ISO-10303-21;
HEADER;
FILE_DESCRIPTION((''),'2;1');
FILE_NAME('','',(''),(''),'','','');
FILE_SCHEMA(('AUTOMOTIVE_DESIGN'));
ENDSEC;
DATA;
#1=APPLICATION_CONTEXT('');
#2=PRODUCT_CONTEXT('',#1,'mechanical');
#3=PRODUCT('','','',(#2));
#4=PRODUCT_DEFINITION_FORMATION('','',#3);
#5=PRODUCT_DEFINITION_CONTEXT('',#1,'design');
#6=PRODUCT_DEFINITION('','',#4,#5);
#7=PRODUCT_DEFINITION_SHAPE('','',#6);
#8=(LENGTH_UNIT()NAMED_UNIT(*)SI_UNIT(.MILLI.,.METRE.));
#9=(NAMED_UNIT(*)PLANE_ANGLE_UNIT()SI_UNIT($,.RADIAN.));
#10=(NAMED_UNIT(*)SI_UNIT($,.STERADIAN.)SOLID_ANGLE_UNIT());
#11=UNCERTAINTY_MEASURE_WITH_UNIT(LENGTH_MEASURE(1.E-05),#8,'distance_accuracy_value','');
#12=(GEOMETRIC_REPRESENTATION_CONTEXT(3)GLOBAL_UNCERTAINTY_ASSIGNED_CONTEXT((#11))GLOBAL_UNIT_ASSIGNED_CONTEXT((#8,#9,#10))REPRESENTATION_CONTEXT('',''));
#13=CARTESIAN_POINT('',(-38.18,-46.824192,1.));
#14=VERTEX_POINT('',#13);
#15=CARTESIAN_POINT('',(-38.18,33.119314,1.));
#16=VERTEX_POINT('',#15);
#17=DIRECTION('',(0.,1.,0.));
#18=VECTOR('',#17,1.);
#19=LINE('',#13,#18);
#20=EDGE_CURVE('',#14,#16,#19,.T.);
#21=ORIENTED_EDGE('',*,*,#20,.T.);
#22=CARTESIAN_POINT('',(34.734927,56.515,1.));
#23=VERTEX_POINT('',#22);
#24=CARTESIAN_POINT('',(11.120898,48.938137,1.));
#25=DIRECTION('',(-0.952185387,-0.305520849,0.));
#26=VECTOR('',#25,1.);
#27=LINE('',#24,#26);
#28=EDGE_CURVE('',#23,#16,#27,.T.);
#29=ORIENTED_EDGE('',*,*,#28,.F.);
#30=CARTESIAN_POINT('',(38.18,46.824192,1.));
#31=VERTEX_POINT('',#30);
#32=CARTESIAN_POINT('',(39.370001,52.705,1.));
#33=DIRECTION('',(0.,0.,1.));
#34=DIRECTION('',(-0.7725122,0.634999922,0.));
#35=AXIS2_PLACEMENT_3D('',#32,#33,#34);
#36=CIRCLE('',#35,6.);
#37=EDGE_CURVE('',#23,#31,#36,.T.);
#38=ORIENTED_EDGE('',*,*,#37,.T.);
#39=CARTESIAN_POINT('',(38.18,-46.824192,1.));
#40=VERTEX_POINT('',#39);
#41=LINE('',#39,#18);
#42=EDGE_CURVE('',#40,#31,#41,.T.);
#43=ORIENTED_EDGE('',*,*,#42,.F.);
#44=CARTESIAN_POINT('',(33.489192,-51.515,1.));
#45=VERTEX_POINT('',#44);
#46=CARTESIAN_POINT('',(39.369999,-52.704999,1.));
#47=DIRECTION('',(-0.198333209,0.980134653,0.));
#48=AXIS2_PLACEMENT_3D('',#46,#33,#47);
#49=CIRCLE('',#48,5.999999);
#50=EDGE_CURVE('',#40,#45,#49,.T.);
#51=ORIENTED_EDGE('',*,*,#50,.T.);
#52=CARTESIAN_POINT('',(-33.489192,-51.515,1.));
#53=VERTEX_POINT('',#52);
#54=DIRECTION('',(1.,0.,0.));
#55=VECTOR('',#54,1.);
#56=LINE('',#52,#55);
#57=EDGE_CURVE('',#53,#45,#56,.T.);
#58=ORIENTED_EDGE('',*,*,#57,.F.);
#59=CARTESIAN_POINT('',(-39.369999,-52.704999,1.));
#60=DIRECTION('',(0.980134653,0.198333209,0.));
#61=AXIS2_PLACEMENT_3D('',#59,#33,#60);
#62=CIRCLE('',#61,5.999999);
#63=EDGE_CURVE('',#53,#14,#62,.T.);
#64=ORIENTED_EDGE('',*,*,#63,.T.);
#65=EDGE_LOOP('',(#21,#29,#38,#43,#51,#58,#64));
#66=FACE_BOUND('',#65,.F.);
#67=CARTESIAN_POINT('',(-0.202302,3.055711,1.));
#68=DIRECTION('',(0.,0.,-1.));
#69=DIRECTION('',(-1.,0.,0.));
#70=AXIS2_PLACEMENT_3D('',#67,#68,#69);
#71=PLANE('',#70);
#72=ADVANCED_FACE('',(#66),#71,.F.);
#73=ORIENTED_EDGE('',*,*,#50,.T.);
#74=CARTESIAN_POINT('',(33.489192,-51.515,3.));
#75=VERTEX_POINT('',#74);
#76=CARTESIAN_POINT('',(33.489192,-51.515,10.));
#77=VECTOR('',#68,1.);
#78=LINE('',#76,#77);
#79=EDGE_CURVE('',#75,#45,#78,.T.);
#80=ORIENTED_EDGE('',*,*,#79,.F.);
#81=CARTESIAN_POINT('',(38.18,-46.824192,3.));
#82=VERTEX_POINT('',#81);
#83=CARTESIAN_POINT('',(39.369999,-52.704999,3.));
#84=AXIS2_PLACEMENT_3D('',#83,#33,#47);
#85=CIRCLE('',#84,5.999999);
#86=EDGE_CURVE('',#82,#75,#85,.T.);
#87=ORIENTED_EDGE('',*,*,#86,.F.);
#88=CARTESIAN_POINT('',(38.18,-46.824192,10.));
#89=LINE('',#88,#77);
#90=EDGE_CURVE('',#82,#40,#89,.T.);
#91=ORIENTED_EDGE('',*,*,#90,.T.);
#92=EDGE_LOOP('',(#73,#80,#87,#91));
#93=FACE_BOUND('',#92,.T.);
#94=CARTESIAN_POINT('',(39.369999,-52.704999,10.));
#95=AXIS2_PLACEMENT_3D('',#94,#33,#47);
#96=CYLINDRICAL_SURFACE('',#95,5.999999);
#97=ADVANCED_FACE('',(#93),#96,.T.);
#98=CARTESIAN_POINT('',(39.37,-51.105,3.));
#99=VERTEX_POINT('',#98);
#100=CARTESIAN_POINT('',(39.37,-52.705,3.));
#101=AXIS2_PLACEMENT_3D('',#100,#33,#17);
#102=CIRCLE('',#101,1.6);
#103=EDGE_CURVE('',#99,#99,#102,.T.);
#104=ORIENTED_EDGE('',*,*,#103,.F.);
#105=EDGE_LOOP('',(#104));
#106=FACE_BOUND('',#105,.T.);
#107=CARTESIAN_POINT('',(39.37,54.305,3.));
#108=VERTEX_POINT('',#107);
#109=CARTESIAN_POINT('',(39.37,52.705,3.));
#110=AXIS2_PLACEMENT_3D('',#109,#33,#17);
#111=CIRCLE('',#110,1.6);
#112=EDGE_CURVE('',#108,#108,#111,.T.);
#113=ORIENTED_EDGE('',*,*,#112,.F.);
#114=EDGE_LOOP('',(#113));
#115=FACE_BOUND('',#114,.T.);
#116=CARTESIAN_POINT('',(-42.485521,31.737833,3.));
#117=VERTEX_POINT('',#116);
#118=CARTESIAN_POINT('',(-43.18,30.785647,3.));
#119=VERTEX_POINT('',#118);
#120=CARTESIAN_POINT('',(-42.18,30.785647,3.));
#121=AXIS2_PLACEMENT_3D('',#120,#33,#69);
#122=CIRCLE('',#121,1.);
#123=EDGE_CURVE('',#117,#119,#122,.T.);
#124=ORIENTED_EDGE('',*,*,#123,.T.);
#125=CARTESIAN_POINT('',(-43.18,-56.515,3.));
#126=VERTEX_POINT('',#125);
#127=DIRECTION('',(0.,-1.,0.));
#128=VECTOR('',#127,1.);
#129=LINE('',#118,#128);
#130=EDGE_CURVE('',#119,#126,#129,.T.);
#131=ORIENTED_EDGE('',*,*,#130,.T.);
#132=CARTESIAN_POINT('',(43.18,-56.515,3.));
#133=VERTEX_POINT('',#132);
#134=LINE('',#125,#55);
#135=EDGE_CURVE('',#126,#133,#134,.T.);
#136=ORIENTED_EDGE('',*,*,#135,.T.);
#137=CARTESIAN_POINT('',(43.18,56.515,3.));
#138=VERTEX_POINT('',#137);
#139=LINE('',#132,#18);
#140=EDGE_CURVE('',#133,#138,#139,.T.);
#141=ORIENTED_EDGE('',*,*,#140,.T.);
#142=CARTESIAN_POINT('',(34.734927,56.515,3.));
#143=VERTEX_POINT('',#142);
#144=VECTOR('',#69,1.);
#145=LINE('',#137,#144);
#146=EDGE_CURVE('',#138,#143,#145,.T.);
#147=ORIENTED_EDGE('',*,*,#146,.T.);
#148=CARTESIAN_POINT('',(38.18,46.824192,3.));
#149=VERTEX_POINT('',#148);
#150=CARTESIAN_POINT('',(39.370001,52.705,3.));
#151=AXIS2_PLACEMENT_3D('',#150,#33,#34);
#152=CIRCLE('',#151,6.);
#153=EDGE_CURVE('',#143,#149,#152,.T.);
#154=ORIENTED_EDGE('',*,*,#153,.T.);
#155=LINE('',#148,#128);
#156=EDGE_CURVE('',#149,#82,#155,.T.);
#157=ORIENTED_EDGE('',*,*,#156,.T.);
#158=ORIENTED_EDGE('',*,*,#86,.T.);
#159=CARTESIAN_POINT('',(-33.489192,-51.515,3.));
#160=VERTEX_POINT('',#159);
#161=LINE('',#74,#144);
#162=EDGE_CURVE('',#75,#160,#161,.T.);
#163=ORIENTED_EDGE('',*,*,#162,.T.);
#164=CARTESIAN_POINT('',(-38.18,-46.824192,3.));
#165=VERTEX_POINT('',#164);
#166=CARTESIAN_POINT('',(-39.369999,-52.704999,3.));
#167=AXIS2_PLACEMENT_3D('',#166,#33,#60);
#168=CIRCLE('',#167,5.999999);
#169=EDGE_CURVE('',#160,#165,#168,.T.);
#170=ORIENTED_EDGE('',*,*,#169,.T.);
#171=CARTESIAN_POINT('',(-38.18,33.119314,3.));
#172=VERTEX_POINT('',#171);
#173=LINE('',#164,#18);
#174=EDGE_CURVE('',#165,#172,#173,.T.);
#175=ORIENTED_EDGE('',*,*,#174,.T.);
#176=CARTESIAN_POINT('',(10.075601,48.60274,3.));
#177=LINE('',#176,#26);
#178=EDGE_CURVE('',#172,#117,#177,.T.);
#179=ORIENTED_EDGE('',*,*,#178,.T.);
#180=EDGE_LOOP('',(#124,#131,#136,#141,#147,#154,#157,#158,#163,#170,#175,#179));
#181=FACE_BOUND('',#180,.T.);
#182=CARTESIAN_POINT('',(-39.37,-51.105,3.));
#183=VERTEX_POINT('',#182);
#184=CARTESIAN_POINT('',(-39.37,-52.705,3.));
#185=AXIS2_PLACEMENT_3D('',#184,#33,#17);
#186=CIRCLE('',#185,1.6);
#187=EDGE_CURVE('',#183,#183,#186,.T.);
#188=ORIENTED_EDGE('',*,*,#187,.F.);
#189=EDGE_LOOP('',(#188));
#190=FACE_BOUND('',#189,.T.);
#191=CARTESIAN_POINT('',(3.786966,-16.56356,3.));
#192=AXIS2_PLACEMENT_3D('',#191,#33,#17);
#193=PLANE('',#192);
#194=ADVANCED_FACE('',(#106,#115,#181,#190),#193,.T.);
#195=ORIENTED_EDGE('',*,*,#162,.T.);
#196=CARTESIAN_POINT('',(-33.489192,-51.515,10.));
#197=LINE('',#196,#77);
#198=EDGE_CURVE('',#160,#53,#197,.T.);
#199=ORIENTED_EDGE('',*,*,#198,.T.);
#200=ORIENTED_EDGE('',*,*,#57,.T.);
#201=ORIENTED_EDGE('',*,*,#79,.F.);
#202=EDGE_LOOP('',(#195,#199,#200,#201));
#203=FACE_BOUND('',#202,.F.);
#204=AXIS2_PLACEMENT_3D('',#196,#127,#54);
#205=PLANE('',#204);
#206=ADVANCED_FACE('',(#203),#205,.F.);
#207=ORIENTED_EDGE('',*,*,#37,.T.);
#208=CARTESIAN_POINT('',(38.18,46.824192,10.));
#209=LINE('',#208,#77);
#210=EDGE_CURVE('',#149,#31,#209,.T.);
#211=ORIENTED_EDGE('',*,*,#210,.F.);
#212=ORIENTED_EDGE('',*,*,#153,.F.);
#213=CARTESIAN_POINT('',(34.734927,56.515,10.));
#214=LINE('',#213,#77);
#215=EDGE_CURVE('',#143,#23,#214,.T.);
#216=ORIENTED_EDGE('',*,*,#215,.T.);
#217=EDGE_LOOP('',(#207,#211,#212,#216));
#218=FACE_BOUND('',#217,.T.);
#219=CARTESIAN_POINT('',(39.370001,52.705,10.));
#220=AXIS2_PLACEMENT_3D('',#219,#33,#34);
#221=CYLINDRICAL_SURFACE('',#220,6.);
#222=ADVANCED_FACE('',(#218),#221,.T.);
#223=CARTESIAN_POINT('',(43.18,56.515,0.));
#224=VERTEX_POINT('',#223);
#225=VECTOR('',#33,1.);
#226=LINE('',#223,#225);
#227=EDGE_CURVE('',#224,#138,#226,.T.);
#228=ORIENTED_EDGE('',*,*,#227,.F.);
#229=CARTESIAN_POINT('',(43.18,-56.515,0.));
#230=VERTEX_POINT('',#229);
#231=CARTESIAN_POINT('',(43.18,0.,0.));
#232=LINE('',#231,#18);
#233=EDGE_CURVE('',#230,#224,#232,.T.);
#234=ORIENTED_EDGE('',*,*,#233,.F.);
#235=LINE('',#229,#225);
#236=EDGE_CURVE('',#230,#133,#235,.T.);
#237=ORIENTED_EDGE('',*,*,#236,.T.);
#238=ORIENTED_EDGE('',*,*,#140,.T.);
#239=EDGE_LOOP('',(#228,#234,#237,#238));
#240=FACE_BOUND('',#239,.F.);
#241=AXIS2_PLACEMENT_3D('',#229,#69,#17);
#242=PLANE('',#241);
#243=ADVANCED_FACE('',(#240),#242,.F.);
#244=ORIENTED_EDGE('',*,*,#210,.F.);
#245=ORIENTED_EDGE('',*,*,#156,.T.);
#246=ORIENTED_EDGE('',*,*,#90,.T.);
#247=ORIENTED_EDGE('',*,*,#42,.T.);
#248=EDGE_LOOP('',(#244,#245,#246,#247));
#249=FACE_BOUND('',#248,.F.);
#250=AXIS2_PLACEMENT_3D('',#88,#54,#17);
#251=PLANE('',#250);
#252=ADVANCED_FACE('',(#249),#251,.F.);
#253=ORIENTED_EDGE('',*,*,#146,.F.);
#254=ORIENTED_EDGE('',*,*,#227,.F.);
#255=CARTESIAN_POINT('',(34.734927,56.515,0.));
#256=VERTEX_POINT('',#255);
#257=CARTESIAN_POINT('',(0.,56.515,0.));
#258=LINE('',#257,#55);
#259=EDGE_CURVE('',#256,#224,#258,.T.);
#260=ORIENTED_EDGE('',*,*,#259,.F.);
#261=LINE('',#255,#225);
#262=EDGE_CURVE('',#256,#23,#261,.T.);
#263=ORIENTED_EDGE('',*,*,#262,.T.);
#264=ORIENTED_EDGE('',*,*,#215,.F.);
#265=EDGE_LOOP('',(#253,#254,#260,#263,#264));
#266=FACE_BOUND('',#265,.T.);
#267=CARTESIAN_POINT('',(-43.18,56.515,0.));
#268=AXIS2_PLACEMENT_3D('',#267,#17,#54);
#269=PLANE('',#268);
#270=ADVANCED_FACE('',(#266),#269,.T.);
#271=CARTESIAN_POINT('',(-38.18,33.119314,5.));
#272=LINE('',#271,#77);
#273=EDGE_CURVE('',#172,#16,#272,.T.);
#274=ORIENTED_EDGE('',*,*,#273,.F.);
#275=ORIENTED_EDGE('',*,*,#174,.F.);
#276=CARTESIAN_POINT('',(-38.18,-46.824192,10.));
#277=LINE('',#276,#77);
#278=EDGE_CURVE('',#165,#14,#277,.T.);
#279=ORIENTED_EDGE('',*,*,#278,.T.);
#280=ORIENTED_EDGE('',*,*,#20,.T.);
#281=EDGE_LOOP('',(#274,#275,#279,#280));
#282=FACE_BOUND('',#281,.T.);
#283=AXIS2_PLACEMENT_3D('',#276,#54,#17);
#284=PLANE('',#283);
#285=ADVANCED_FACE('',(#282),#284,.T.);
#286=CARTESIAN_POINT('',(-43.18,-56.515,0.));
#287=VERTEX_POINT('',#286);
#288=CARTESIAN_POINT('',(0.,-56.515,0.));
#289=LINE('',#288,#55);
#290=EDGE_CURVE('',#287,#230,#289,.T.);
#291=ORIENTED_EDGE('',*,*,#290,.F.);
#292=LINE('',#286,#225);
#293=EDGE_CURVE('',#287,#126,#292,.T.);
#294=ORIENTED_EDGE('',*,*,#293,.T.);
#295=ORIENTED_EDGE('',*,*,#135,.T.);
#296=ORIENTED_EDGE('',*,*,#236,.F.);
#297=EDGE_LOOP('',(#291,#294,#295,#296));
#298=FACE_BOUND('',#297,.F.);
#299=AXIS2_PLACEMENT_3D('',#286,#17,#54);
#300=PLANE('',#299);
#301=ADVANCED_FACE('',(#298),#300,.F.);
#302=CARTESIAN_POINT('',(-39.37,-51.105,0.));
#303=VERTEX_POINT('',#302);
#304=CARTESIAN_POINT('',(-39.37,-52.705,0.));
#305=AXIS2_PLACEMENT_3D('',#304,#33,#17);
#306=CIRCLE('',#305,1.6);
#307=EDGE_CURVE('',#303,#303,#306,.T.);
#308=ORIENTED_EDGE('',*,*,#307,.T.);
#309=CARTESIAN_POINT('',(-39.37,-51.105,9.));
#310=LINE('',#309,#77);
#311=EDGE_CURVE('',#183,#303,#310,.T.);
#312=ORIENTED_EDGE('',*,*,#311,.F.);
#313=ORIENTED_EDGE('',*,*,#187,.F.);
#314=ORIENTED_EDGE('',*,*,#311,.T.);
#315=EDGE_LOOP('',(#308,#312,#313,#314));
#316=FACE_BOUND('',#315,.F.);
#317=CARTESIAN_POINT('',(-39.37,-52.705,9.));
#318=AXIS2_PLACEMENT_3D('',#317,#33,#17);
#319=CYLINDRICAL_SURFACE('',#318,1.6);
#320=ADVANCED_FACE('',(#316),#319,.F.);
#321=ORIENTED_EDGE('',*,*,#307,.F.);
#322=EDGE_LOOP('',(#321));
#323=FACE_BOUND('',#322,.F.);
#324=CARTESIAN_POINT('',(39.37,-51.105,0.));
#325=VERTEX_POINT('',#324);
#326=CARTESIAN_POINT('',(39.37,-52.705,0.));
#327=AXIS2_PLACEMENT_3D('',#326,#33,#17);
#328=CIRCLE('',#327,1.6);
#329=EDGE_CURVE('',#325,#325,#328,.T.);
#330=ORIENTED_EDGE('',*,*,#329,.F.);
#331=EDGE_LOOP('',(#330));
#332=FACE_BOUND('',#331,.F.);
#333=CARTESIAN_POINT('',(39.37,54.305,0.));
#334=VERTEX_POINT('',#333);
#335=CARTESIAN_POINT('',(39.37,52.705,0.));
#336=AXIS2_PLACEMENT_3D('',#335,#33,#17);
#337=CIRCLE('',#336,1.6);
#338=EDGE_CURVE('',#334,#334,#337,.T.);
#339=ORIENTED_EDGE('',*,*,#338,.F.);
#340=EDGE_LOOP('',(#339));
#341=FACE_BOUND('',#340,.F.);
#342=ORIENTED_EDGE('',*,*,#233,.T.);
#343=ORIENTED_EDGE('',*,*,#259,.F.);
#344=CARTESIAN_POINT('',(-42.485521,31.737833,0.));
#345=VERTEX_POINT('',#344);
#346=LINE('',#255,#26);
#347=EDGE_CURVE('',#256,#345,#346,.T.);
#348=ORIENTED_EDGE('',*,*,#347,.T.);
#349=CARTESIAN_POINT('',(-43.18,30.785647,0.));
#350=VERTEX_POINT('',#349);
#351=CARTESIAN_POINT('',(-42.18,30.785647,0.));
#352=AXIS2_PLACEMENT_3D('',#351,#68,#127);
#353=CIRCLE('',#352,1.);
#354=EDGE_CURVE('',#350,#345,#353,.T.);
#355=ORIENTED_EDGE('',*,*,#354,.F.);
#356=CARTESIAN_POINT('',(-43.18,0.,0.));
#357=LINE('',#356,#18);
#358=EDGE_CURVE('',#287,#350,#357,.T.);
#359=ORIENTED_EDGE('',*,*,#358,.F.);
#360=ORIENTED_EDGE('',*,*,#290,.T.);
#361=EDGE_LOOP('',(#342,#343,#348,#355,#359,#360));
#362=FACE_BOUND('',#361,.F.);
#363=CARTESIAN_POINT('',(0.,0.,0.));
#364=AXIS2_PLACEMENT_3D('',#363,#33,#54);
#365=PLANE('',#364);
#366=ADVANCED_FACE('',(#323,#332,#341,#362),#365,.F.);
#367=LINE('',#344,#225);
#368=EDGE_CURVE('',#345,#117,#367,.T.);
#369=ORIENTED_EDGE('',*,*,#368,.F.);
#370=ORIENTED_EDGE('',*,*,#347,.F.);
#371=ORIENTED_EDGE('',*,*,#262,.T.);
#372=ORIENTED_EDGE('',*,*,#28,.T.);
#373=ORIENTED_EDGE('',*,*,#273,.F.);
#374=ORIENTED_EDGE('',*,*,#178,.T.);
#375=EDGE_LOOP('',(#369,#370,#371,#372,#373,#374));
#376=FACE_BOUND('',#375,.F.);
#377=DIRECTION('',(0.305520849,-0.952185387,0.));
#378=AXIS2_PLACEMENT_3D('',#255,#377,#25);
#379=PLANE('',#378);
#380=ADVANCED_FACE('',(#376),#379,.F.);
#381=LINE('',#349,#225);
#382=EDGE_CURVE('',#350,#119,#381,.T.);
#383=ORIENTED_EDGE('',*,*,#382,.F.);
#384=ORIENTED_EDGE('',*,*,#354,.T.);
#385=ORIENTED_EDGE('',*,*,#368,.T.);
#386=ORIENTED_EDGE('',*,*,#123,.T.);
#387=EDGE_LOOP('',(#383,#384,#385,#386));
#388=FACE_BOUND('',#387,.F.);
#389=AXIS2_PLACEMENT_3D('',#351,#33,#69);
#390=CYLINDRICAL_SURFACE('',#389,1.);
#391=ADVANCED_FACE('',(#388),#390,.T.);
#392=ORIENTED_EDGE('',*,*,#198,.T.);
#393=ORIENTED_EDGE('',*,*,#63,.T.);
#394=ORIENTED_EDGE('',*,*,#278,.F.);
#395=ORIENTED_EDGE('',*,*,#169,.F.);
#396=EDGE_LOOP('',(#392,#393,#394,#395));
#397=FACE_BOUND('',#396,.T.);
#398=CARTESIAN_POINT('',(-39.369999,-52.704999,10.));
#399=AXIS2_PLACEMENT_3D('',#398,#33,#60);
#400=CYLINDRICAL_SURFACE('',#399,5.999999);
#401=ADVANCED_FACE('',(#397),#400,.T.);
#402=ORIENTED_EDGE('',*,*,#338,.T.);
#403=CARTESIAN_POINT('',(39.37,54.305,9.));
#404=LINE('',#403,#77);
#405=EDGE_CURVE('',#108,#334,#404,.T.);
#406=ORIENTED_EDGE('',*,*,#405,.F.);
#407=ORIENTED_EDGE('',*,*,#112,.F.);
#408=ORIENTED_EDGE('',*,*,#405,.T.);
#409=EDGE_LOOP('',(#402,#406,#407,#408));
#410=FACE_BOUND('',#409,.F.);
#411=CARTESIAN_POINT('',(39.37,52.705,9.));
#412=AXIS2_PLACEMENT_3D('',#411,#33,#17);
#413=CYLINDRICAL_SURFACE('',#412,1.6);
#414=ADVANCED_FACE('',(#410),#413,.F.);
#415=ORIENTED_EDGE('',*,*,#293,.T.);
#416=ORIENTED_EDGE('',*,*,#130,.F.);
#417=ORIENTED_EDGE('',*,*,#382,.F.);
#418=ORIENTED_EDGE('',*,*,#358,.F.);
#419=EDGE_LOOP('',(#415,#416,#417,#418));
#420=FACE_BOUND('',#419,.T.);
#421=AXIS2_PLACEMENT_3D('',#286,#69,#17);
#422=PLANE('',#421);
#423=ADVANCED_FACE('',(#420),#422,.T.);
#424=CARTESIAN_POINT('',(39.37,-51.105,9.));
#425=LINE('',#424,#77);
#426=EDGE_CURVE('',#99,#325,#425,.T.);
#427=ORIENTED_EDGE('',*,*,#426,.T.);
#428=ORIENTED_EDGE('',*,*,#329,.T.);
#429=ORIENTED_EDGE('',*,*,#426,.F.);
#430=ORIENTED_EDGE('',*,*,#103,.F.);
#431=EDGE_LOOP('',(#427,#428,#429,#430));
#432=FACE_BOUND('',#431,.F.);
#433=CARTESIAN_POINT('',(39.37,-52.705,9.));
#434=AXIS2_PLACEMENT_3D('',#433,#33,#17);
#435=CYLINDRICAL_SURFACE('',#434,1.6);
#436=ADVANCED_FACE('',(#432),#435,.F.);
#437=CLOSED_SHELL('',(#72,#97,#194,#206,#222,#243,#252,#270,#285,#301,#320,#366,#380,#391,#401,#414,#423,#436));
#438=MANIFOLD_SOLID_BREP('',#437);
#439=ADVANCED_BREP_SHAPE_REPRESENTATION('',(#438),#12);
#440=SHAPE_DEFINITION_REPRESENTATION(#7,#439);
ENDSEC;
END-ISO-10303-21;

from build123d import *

# Parameters (mm, degrees)
SKETCH_W           = 86.36
SKETCH_H           = 113.03
PAD_DEPTH          = 10
SKETCH001_R        = 1.6
POCKET_DEPTH       = 1
POCKET001_DEPTH    = 9
POCKET002_DEPTH    = 10.001
FILLET_R           = 1
FILLET_FACE20_R    = 1.6
POCKET003_DEPTH    = 9.001
POCKET003_FACE20_R = 1.6
POCKET004_DEPTH    = 9.001
POCKET004_FACE21_R = 1.6
POCKET005_DEPTH    = 9.001
POCKET005_FACE11_R = 1.6
POCKET006_DEPTH    = 7


with BuildPart() as part:
    # Sketch → Pad (new body)
    with BuildSketch(Plane.XY):
        Rectangle(SKETCH_W, SKETCH_H)
    extrude(amount=PAD_DEPTH)

    # Sketch001 (on Face6 of Pad) → Pocket (cut)
    with BuildSketch(Plane.XY.offset(10)):
        with Locations((-39.37, -52.705)):
            Circle(SKETCH001_R)
        with Locations((39.37, -52.705)):
            Circle(SKETCH001_R)
        with Locations((39.37, 52.705)):
            Circle(SKETCH001_R)
    extrude(amount=-POCKET_DEPTH, mode=Mode.SUBTRACT)

    # Sketch002 (on Face5 of Pocket) → Pocket001 (cut)
    with BuildSketch(Plane.XY.offset(10)):
        with BuildLine():
            Line((-38.18, 56.515), (34.734927, 56.515))
            ThreePointArc((34.734927, 56.515), (33.716611, 50.695226), (38.18, 46.824192))
            Line((38.18, -46.824192), (38.18, 46.824192))
            ThreePointArc((38.18, -46.824192), (35.127359, -48.462359), (33.489192, -51.515))
            Line((-33.489192, -51.515), (33.489192, -51.515))
            ThreePointArc((-33.489192, -51.515), (-35.127359, -48.462359), (-38.18, -46.824192))
            Line((-38.18, -46.824192), (-38.18, 56.515))
        make_face()
    extrude(amount=-POCKET001_DEPTH, mode=Mode.SUBTRACT)

    # Sketch003 (on Face2 of Pocket001) → Pocket002 (cut, through all)
    with BuildSketch(Plane(origin=(0, 0, 0), x_dir=(1, 0, 0), z_dir=(0, 0, -1))):
        Polygon((34.734927, -56.515), (-43.18, -31.515), (-75.693622, -36.778853), (-62.654191, -136.900963), (71.529642, -145.781613), align=None)
    extrude(amount=-POCKET002_DEPTH, mode=Mode.SUBTRACT)

    # Fillet
    fillet_edges = [part.edges().sort_by_distance(p)[0] for p in [
        (-43.18, 31.515, 5),
    ]]
    fillet(fillet_edges, radius=FILLET_R)

    # Fillet Face20 → Pocket003 (cut, through all)
    with BuildSketch(Plane(origin=(39.37, 52.705, 9), x_dir=(0, 1, 0), z_dir=(0, 0, 1))):
        Circle(FILLET_FACE20_R)
    extrude(amount=-POCKET003_DEPTH, mode=Mode.SUBTRACT)

    # Pocket003 Face20 → Pocket004 (cut, through all)
    with BuildSketch(Plane(origin=(39.37, -52.705, 9), x_dir=(0, 1, 0), z_dir=(0, 0, 1))):
        Circle(POCKET003_FACE20_R)
    extrude(amount=-POCKET004_DEPTH, mode=Mode.SUBTRACT)

    # Pocket004 Face21 → Pocket005 (cut, through all)
    with BuildSketch(Plane(origin=(-39.37, -52.705, 9), x_dir=(0, 1, 0), z_dir=(0, 0, 1))):
        Circle(POCKET004_FACE21_R)
    extrude(amount=-POCKET005_DEPTH, mode=Mode.SUBTRACT)

    # Pocket005 Face11 → Pocket006 (cut)
    with BuildSketch(Plane(origin=(4.164338, -17.509982, 10), x_dir=(0, 1, 0), z_dir=(0, 0, 1))):
        with BuildLine():
            Line((50.629296, 42.344338), (49.247815, 46.649859))
            ThreePointArc((49.247815, 46.649859), (48.8849, 47.152274), (48.295629, 47.344338))
            Line((48.295629, 47.344338), (-39.005018, 47.344338))
            Line((-39.005018, 47.344338), (-39.005018, -39.015662))
            Line((-39.005018, -39.015662), (74.024982, -39.015662))
            Line((74.024982, -39.015662), (74.024982, -30.570589))
            ThreePointArc((74.024982, -30.570589), (68.205208, -29.552273), (64.334174, -34.015662))
            Line((64.334174, -34.015662), (-29.31421, -34.015662))
            ThreePointArc((-29.31421, -34.015662), (-30.952377, -30.963021), (-34.005018, -29.324854))
            Line((-34.005018, -29.324854), (-34.005018, 37.65353))
            ThreePointArc((-34.005018, 37.65353), (-30.952377, 39.291697), (-29.31421, 42.344338))
            Line((-29.31421, 42.344338), (50.629296, 42.344338))
        make_face()
        with Locations((-35.195018, -35.205662)):
            Circle(POCKET005_FACE11_R, mode=Mode.SUBTRACT)
        with Locations((70.214982, -35.205662)):
            Circle(POCKET005_FACE11_R, mode=Mode.SUBTRACT)
        with Locations((-35.195018, 43.534338)):
            Circle(POCKET005_FACE11_R, mode=Mode.SUBTRACT)
    extrude(amount=-POCKET006_DEPTH, mode=Mode.SUBTRACT)


solid = part.part
